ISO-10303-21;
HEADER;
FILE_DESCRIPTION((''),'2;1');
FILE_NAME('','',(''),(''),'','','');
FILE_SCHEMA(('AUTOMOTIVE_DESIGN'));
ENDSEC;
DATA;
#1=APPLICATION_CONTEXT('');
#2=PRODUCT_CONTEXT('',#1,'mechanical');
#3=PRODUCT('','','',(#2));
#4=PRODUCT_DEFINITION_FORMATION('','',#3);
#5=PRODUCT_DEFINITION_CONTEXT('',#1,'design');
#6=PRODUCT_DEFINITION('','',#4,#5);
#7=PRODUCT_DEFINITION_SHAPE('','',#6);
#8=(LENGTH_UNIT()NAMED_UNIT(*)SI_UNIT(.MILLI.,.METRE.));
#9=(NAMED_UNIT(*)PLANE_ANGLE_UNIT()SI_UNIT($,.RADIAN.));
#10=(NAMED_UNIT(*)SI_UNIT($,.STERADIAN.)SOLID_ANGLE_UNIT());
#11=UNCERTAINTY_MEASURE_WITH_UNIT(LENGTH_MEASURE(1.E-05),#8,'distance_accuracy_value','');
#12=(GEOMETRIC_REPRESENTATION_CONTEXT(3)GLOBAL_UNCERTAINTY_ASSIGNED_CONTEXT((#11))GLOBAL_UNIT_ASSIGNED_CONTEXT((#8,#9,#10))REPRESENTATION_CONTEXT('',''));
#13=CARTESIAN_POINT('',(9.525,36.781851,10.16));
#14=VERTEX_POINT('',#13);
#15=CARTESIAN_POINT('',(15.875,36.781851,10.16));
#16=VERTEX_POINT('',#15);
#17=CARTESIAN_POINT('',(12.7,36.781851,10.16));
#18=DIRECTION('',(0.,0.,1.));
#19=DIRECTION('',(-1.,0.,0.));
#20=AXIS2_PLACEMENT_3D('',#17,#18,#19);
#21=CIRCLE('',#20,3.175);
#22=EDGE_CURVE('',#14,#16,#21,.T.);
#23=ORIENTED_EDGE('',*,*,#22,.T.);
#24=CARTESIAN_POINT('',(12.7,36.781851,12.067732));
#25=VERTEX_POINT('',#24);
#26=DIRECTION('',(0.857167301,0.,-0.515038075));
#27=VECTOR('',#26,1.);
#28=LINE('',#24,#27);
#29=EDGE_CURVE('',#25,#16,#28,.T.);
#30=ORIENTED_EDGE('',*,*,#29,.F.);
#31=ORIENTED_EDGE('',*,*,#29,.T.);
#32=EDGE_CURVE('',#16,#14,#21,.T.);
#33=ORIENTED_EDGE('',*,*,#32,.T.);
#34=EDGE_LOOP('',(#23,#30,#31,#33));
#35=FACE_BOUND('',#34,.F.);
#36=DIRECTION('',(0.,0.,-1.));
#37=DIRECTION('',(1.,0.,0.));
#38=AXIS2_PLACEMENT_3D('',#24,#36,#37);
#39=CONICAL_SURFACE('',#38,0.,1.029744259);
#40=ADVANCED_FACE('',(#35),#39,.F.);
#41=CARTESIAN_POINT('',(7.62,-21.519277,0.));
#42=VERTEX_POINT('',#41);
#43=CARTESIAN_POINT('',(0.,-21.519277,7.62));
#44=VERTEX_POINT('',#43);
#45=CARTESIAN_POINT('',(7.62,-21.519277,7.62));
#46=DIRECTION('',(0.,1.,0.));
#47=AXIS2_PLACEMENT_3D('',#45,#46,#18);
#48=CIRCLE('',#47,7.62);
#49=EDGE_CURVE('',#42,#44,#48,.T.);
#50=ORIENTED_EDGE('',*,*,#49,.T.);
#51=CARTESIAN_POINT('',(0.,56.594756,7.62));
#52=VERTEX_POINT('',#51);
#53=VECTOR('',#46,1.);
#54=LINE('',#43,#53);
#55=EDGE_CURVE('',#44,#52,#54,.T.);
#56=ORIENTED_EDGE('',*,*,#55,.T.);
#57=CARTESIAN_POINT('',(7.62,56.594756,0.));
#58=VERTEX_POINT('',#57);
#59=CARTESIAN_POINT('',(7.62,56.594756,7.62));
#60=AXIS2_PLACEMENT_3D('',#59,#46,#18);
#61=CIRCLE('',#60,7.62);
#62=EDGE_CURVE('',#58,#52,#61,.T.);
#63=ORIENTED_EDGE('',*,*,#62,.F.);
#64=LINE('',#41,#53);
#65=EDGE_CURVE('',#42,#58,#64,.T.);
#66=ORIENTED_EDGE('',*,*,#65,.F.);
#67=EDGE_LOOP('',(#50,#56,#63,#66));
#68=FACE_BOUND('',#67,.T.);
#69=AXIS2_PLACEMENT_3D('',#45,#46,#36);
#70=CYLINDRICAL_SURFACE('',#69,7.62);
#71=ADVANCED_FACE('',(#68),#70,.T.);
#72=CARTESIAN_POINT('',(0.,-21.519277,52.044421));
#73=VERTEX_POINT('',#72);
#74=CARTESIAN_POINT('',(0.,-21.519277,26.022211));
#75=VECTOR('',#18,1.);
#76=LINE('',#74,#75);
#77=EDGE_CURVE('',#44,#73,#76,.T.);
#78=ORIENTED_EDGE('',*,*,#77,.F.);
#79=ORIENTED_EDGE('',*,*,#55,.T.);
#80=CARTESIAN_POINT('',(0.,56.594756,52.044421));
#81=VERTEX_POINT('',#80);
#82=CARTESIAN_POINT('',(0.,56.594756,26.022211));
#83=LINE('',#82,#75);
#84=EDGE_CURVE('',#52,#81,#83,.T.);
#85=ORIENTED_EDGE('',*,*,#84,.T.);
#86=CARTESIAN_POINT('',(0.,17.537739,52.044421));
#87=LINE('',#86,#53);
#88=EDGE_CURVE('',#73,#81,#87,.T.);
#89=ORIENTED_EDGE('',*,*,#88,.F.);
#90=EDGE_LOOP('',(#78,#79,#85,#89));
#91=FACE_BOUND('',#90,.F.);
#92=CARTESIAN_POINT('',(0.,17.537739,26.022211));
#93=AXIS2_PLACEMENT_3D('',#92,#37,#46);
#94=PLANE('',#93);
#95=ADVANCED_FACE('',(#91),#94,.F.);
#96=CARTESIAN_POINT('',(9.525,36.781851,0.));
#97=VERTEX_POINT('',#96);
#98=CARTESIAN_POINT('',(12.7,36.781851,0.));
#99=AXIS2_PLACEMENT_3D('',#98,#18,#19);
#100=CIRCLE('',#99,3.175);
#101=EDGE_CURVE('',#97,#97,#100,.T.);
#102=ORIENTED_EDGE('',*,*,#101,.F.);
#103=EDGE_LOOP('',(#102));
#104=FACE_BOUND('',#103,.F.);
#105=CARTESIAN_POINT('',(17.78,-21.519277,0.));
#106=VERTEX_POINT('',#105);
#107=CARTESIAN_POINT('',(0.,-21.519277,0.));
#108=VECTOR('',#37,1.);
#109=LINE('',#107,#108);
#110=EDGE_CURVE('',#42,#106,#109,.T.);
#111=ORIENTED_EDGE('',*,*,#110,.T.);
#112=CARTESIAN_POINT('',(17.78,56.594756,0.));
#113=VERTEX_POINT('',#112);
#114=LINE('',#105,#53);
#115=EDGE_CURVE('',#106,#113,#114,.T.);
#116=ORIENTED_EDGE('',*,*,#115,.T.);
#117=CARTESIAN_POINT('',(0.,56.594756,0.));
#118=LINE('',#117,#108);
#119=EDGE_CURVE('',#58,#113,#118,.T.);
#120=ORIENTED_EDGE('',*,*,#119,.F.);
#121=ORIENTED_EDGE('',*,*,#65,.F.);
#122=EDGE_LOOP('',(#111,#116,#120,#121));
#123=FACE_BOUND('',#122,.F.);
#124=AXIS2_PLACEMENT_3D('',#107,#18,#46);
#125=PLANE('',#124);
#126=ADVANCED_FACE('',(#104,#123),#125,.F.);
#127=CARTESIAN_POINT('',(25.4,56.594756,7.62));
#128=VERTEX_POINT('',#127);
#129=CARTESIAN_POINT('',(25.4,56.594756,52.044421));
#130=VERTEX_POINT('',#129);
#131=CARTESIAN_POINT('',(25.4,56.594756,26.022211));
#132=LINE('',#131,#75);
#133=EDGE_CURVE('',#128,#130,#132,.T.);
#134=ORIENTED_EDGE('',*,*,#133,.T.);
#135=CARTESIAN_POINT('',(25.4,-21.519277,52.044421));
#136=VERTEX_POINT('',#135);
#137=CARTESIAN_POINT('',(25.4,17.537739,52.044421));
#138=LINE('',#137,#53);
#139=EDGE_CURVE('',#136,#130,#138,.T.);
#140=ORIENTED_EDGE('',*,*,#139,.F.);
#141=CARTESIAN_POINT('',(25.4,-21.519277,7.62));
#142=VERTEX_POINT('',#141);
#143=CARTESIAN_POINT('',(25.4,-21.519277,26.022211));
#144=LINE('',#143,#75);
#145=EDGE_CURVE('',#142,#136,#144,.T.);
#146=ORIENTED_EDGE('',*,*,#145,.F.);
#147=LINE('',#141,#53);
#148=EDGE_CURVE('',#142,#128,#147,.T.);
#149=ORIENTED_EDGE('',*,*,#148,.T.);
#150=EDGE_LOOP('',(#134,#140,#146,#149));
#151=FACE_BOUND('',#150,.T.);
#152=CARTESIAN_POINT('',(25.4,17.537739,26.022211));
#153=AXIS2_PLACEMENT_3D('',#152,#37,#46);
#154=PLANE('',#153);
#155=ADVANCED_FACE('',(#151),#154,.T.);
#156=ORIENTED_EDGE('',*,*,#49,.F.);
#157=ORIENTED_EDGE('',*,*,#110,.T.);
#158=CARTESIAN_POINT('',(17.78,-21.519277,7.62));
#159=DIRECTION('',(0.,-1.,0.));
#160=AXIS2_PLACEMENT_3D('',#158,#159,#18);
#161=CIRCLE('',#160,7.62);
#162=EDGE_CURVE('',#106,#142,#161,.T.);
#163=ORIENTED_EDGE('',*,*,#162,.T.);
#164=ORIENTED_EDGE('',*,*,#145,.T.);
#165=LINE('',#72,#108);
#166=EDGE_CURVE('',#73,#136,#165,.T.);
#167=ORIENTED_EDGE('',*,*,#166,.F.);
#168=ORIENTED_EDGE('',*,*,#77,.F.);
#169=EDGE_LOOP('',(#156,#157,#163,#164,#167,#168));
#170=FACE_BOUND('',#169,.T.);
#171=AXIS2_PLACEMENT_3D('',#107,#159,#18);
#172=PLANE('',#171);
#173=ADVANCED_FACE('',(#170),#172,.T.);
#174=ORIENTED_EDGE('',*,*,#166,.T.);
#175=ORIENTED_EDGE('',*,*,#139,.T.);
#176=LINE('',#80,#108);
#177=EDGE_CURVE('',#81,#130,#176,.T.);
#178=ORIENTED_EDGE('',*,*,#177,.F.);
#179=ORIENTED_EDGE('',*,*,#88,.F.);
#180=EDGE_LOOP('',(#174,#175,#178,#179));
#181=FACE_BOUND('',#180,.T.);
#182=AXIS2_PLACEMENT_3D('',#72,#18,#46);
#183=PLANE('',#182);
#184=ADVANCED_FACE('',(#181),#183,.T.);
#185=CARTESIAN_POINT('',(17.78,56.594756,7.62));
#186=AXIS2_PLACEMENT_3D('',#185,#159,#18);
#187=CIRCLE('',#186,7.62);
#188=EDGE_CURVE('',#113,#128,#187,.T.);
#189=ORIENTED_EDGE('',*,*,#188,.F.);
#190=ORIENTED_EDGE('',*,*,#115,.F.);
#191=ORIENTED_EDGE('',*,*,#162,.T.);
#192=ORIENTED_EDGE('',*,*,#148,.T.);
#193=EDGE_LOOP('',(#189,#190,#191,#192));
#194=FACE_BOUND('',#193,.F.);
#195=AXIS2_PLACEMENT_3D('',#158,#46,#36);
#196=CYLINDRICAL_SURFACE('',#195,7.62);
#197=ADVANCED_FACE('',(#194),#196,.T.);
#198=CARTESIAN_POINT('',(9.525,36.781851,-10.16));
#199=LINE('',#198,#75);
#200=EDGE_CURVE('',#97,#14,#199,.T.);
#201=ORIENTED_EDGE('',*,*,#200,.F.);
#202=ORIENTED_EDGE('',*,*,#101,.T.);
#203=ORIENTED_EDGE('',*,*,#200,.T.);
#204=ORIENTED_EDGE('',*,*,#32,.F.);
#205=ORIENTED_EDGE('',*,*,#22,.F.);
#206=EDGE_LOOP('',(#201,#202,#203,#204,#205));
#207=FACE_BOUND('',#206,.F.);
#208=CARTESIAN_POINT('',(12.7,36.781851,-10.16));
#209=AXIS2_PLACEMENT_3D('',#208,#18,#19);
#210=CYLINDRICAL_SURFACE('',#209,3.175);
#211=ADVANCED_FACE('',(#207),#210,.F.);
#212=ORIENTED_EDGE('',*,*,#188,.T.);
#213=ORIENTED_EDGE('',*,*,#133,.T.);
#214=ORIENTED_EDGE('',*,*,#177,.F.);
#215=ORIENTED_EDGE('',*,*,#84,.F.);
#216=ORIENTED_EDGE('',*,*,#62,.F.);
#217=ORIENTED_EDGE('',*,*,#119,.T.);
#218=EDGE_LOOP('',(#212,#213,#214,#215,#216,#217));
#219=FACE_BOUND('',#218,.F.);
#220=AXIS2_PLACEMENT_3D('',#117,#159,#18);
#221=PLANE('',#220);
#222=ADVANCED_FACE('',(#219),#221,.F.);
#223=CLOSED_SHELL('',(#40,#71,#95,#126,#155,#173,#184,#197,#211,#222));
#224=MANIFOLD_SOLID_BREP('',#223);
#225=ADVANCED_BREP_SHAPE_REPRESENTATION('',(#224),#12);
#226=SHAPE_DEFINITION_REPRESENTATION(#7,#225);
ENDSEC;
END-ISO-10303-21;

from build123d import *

# Parameters (mm, degrees)
F0_W     = 78.1140327454
F0_H     = 52.0444214344
F1_DEPTH = 25.4
F2_R     = 7.62
F3_R     = 7.62
F5_D     = 6.35
F5_DEPTH = 10.16
F5_TIP   = 1.9077324654


with BuildPart() as f1:
    # F0 (on Right) → F1 (new body)
    with BuildSketch(Plane.YZ):
        with Locations((17.5377391279, 26.0222107172)):
            Rectangle(F0_W, F0_H)
    extrude(amount=F1_DEPTH)

    # F2
    f2_edges = [f1.edges().sort_by_distance(p)[0] for p in [
        (0, 17.537739, 0),
    ]]
    fillet(f2_edges, radius=F2_R)

    # F3
    f3_edges = [f1.edges().sort_by_distance(p)[0] for p in [
        (25.4, 17.537739, 0),
    ]]
    fillet(f3_edges, radius=F3_R)

    # F5
    with Locations(Plane(origin=(0, 0, 0), x_dir=(1, 0, 0), z_dir=(0, 0, -1))):
        with Locations((12.7, -36.7818512022)):
            Hole(F5_D / 2, depth=F5_DEPTH)
            with Locations((0, 0, -(F5_DEPTH + F5_TIP / 2))):  # 118° drill point
                Cone(0, F5_D / 2, F5_TIP, mode=Mode.SUBTRACT)


solid = f1.part
